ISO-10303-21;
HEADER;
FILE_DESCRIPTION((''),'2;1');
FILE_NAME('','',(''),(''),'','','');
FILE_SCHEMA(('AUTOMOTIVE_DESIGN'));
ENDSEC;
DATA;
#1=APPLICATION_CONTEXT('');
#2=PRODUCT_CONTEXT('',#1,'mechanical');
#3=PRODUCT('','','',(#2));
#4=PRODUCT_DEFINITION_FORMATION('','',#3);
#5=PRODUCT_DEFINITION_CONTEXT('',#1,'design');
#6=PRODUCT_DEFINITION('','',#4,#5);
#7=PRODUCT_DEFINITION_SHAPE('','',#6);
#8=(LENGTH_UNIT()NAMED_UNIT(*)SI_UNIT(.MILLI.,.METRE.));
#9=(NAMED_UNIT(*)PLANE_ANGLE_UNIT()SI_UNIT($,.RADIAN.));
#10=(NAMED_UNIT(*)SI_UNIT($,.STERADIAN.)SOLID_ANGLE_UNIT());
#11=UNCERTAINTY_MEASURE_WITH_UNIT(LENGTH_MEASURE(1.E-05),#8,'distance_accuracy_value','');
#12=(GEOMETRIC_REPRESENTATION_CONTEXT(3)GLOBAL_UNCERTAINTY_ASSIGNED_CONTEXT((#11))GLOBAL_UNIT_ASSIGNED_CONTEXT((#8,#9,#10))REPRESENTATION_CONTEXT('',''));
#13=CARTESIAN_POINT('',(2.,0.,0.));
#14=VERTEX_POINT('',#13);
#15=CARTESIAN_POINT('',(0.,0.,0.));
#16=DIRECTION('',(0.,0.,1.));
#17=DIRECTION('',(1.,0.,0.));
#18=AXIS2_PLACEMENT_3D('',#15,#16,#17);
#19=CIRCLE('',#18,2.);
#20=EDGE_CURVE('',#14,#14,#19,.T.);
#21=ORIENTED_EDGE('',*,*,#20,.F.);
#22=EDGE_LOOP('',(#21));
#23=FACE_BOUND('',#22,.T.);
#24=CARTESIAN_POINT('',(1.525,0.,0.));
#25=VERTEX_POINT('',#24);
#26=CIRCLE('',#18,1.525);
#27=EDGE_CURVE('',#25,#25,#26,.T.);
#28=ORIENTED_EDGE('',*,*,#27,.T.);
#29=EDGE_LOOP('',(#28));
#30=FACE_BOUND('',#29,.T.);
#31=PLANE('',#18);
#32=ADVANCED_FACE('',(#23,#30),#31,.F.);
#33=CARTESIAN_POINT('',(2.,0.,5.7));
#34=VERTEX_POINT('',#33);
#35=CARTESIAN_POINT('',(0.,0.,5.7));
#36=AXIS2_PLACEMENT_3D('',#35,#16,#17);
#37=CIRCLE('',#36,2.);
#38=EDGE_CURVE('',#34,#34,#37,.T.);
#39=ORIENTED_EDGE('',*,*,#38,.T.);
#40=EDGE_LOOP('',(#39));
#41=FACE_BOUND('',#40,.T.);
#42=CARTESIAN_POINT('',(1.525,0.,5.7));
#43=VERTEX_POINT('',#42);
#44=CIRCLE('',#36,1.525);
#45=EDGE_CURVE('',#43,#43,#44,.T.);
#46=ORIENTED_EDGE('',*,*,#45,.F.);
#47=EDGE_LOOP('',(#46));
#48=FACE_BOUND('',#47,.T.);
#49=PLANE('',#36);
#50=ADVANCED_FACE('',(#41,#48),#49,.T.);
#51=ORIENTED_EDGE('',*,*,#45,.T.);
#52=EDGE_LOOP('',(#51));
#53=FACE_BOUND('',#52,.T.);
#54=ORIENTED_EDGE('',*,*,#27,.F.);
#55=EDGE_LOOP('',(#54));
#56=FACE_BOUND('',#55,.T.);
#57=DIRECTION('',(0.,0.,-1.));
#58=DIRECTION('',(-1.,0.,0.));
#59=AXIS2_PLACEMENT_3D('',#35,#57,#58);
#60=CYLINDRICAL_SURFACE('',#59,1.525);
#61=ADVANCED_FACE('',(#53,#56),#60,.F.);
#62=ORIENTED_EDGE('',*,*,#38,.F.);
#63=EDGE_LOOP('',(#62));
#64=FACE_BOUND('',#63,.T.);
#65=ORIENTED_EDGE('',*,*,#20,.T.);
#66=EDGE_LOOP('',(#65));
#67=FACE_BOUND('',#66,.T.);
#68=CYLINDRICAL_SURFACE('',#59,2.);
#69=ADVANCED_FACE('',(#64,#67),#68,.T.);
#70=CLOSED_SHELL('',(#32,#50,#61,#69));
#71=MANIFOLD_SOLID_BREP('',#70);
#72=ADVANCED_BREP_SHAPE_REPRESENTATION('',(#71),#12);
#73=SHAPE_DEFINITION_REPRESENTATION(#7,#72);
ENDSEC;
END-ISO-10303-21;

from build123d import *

# Parameters (mm, degrees)
S01_INSTALLED_BRASS_ENVELOPE_SIMPLIF_R       = 2
S01_INSTALLED_BRASS_ENVELOPE_SIMPLIF_R_2     = 1.525
F_01_INSTALLED_BRASS_ENVELOPE_SIMPLIFI_DEPTH = 5.7


with BuildPart() as part:
    # S01 - Installed brass envelope - simplified threads → 01 - Installed brass envelope - simplified threads (new body)
    with BuildSketch(Plane.XY):
        Circle(S01_INSTALLED_BRASS_ENVELOPE_SIMPLIF_R)
        Circle(S01_INSTALLED_BRASS_ENVELOPE_SIMPLIF_R_2, mode=Mode.SUBTRACT)
    extrude(amount=F_01_INSTALLED_BRASS_ENVELOPE_SIMPLIFI_DEPTH)


solid = part.part
